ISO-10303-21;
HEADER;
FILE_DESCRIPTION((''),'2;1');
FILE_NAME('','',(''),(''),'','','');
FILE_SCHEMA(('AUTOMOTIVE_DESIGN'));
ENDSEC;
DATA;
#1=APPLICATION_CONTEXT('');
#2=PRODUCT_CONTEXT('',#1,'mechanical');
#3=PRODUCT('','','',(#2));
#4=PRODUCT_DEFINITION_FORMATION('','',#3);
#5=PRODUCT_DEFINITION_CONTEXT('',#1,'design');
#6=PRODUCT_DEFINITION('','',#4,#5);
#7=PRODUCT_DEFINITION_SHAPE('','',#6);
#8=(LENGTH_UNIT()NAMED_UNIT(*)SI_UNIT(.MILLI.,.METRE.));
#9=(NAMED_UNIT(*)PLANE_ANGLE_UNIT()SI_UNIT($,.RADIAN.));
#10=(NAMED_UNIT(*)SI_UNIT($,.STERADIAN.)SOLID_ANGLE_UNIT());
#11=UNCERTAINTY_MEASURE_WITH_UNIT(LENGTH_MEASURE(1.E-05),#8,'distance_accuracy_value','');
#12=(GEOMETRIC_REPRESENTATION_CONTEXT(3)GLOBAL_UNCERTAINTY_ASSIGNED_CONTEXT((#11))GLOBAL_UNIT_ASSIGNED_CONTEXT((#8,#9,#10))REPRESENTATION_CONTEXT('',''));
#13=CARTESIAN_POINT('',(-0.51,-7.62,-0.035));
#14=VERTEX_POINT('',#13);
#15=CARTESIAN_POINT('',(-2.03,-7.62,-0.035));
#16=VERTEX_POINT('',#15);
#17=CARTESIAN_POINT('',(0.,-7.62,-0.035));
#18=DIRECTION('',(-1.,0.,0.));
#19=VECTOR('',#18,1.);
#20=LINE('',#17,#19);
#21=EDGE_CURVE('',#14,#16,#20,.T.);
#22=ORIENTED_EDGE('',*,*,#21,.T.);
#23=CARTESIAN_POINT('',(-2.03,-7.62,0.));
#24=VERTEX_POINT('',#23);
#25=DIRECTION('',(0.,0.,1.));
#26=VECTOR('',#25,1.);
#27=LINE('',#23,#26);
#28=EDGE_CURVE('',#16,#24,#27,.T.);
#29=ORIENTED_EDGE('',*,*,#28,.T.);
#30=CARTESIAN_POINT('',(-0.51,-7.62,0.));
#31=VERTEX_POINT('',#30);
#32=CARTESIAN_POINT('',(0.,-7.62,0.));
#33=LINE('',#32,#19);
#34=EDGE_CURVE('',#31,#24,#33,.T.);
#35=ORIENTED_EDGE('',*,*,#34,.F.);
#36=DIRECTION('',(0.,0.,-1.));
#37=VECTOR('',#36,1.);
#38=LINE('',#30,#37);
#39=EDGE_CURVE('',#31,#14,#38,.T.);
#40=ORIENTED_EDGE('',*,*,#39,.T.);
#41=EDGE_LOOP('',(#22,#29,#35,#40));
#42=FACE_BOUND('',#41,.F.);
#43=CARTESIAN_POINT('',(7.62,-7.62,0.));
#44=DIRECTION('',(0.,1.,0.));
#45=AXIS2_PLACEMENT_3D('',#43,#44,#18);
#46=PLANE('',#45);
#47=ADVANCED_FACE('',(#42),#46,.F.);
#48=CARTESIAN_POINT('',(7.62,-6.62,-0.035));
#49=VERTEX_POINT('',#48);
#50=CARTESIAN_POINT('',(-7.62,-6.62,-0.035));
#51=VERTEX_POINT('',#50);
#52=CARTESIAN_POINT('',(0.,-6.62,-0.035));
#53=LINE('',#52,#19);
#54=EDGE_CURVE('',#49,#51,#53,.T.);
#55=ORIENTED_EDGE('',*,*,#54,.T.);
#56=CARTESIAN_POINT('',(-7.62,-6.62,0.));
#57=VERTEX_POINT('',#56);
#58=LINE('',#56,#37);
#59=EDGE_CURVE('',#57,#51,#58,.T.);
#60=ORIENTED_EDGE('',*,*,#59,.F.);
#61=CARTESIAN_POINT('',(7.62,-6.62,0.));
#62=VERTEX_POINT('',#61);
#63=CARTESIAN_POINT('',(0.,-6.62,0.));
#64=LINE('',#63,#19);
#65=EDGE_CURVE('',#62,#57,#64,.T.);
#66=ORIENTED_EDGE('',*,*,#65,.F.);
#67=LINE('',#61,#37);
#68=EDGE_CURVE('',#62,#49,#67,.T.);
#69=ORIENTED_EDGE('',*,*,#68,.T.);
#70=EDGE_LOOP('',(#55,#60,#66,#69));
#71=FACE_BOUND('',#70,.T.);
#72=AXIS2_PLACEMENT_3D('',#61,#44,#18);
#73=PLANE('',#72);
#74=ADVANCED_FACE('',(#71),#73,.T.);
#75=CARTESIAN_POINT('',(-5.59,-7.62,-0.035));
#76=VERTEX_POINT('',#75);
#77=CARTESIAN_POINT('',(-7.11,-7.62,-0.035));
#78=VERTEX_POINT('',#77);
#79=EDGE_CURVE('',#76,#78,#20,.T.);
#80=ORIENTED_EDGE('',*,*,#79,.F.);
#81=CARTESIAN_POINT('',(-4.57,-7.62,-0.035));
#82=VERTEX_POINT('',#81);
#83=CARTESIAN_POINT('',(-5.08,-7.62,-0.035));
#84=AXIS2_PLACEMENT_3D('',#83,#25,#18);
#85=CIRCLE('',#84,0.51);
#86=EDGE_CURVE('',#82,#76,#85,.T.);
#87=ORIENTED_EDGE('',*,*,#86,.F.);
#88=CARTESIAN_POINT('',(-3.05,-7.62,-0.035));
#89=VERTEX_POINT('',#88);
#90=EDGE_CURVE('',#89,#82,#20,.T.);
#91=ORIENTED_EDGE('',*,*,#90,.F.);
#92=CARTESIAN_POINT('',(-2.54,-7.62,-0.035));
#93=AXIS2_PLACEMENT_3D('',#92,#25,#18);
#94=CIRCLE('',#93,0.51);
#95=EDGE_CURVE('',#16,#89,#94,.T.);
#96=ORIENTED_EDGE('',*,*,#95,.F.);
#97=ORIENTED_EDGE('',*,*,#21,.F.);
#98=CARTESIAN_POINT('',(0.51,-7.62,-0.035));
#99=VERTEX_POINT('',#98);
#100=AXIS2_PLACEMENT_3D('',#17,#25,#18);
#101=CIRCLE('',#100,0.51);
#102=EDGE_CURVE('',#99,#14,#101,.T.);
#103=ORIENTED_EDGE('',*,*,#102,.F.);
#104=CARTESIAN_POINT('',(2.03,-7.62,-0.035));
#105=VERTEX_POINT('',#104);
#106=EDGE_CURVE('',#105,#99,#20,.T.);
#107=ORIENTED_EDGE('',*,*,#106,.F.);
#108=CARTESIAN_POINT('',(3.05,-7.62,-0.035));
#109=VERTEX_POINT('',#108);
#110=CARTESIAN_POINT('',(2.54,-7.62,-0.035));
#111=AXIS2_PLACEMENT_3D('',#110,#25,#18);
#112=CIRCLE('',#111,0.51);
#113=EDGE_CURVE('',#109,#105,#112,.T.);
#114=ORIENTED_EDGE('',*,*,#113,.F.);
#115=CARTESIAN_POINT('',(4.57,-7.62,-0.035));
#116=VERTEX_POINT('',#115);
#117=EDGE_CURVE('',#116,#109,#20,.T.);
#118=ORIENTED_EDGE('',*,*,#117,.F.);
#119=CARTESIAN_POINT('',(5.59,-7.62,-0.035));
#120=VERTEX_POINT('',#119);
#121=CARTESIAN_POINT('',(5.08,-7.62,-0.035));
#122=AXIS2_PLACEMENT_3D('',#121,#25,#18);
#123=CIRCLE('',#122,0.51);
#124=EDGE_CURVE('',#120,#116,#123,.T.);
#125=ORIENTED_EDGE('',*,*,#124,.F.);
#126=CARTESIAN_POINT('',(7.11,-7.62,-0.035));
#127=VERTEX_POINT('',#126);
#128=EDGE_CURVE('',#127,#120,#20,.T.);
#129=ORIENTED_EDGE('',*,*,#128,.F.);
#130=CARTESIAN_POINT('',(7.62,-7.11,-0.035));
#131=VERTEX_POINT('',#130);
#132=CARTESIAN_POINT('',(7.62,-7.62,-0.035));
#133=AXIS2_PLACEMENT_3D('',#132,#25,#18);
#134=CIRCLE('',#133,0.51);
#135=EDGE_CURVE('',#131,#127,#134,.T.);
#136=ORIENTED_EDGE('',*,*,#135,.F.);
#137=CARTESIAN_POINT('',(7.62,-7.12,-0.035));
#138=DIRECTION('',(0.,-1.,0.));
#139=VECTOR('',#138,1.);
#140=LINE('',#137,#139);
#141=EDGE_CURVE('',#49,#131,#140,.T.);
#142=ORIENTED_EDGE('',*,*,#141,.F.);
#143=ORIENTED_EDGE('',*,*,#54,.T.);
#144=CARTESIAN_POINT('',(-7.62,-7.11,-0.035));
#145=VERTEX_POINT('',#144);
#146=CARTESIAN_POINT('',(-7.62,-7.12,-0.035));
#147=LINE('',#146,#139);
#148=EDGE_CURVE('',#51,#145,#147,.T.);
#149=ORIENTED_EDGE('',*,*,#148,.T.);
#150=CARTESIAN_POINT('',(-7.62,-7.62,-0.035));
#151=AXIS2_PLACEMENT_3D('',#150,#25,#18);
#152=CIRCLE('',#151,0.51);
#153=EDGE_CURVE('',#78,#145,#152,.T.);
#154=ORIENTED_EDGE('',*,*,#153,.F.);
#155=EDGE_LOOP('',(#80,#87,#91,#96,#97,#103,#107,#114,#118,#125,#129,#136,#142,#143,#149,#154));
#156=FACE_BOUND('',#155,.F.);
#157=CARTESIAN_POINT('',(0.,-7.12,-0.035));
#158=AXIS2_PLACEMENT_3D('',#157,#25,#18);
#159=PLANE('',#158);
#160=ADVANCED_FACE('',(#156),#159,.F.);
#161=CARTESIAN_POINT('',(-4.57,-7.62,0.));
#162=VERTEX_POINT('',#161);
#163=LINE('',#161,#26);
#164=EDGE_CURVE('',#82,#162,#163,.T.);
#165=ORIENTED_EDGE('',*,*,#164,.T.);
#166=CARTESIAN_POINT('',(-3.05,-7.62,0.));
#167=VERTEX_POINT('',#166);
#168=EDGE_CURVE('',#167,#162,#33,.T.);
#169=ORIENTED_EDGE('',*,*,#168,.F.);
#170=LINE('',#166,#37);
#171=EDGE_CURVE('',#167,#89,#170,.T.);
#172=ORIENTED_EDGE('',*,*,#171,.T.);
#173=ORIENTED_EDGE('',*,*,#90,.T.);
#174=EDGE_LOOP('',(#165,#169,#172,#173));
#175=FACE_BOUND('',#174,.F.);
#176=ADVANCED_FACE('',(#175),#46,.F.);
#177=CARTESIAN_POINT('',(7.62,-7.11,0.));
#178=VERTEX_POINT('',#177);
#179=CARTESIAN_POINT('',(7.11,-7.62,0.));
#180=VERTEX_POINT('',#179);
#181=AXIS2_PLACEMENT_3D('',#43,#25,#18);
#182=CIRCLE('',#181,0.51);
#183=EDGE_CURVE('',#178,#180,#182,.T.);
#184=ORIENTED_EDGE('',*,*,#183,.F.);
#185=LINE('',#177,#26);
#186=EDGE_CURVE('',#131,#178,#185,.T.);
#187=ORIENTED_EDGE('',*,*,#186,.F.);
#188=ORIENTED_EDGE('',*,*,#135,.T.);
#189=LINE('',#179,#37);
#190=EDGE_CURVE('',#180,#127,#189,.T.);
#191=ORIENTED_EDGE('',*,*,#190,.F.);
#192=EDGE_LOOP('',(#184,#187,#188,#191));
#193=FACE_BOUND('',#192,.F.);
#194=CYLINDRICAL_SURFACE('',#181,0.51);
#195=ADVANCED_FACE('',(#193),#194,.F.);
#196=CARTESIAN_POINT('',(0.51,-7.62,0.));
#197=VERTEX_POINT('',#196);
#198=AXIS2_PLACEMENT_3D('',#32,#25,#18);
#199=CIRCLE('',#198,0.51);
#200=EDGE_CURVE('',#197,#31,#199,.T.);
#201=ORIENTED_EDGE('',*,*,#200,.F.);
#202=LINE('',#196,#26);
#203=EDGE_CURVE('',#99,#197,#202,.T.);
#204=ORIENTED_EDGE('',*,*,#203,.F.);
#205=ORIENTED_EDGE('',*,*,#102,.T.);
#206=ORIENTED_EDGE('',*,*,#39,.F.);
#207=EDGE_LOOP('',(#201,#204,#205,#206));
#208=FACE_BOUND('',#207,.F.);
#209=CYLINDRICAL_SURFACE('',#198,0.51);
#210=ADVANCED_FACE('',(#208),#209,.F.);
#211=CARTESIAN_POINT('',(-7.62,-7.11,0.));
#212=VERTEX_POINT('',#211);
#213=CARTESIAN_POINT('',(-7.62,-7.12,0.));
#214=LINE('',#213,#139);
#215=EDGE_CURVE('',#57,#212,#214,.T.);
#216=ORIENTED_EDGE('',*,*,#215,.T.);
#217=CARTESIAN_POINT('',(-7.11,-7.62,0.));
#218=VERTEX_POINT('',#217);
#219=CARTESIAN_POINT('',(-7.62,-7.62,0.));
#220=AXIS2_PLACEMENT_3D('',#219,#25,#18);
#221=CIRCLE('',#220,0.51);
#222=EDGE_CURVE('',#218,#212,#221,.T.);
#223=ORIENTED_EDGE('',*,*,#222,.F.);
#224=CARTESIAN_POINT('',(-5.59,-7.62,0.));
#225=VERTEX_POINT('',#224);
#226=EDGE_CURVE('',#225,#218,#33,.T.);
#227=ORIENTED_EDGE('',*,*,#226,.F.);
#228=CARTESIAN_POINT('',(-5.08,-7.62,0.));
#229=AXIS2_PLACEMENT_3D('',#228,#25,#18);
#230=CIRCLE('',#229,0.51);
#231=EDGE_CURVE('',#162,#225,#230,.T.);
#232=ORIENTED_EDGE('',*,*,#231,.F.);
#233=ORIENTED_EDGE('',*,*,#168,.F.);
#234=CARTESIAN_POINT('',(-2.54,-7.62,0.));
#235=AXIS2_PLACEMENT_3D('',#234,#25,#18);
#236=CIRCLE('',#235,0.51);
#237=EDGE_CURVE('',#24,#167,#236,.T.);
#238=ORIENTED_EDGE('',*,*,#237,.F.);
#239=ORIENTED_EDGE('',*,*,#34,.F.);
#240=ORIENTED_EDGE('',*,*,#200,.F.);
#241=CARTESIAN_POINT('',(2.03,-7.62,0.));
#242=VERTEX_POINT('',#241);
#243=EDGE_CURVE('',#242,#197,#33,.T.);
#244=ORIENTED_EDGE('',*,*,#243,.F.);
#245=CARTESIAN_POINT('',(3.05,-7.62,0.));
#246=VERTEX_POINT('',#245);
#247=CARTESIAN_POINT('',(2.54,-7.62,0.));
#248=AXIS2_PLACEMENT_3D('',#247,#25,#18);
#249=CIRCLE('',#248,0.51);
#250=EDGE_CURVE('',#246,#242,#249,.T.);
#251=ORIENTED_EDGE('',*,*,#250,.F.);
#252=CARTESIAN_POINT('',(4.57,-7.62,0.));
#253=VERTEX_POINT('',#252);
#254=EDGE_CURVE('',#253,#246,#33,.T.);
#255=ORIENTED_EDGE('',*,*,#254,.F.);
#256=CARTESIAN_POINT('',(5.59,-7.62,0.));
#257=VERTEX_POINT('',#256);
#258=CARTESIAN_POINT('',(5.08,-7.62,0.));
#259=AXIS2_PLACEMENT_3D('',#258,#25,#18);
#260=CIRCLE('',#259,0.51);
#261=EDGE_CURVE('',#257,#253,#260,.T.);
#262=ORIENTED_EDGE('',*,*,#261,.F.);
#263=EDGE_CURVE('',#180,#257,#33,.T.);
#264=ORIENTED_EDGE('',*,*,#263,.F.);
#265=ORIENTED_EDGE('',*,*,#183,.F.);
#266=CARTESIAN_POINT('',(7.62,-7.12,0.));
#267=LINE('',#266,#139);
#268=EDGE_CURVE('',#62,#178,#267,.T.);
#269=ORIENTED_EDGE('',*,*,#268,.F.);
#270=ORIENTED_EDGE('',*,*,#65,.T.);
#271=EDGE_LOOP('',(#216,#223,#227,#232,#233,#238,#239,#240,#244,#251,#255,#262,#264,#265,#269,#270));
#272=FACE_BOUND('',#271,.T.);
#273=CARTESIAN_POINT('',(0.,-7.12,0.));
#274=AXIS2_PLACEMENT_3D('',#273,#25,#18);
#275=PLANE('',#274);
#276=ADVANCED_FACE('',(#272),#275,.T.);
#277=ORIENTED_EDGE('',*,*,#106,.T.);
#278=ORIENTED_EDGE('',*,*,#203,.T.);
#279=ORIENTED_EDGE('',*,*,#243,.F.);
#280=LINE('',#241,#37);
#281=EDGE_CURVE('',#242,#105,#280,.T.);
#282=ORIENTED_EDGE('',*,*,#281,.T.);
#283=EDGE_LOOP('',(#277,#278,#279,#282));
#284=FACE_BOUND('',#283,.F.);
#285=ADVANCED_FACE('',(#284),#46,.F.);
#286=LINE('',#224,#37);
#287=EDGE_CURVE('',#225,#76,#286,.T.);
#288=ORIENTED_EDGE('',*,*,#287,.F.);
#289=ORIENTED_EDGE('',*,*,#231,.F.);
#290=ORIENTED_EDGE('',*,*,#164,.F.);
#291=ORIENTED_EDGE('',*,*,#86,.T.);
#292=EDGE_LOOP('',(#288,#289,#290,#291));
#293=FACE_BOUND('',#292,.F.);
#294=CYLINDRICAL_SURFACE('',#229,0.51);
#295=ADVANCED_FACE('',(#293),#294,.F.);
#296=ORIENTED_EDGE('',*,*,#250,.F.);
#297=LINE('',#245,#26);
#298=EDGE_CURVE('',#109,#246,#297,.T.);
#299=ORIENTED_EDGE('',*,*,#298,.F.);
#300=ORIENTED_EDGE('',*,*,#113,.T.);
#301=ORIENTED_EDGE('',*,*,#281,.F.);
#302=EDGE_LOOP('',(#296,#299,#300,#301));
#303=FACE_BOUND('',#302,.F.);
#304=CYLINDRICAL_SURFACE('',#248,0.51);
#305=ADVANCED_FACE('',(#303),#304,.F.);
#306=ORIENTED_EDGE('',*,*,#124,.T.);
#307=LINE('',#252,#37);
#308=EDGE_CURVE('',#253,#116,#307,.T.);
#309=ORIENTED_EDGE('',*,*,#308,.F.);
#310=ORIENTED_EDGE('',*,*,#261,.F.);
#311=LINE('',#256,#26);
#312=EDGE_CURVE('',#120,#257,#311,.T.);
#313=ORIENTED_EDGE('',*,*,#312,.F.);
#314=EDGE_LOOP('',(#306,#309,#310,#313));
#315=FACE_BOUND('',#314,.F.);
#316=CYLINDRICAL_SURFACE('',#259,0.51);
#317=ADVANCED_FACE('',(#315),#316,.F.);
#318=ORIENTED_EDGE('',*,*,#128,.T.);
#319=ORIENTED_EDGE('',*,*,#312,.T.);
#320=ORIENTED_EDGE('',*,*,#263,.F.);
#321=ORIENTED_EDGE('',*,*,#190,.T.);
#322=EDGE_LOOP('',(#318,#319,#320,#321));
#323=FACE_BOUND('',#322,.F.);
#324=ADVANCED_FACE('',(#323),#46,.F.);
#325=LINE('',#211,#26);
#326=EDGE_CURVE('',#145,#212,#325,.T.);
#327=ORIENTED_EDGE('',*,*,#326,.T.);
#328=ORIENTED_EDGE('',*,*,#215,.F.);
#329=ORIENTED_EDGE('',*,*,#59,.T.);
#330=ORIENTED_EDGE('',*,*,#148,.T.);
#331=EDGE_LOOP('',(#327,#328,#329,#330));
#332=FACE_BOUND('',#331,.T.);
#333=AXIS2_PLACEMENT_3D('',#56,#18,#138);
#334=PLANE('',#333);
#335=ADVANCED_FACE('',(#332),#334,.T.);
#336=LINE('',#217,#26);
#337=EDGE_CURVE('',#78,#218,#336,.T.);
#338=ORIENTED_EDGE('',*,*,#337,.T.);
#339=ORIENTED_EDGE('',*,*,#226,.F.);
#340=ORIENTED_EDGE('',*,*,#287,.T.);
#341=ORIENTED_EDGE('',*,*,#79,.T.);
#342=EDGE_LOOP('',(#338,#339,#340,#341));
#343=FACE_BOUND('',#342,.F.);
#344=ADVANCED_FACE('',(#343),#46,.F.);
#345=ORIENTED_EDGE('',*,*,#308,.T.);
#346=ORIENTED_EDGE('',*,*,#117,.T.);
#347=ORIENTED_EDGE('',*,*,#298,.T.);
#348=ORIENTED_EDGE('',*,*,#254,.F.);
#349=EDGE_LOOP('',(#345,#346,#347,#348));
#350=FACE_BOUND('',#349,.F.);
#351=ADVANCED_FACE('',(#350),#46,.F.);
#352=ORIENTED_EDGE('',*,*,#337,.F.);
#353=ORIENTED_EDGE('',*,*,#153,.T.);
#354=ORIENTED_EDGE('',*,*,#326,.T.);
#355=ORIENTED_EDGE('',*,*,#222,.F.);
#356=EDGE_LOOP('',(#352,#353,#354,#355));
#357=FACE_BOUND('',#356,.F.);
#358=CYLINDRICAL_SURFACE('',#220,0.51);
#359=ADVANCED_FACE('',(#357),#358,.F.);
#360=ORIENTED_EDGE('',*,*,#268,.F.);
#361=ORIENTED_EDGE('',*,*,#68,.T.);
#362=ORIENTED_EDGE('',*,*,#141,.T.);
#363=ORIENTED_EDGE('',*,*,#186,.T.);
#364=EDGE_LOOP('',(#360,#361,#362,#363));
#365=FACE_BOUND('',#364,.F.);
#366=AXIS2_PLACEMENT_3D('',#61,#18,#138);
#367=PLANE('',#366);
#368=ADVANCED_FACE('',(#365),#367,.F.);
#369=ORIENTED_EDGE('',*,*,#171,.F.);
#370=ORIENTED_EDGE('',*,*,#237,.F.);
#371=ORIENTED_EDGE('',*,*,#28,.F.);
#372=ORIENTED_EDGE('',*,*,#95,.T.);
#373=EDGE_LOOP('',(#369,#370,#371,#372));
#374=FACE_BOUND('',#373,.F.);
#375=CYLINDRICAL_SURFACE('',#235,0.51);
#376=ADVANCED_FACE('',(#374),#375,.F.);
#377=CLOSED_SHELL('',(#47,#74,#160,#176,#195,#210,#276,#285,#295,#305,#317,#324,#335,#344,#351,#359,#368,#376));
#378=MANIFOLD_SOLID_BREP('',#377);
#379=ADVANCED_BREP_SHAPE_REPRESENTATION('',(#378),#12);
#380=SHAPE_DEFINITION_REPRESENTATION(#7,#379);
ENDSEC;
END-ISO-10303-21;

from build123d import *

# Parameters (mm, degrees)
SKETCH004_W             = 15.24
SKETCH004_H             = 1
PAD002_DEPTH            = 0.035
SKETCH005_R             = 0.51
POCKET002_DEPTH         = 0.036
LINEARPATTERN005_COUNT  = 7
LINEARPATTERN005_PITCH  = 2.54
BODY004_PLACEMENT_ANGLE = 180


with BuildPart() as part:
    # Sketch004 → Pad002 (new body)
    with BuildSketch(Plane.XY):
        with Locations((0, 7.12)):
            Rectangle(SKETCH004_W, SKETCH004_H)
    extrude(amount=-PAD002_DEPTH)

    # Sketch005 → Pocket002 (cut, through all)
    with BuildSketch(Plane.XY):
        with Locations((-7.62, 7.62)):
            Circle(SKETCH005_R)
    pocket002 = extrude(amount=-POCKET002_DEPTH, mode=Mode.SUBTRACT)

    # LinearPattern005: Pocket002 ×7
    with Locations(*[(i * LINEARPATTERN005_PITCH, 0, 0) for i in range(1, LINEARPATTERN005_COUNT)]):
        add(pocket002, mode=Mode.SUBTRACT)


with BuildPart() as part_1:
    # Body004 placement: moved
    add(part.part.rotate(Axis((0, 0, 0), (0, 0, 1)), BODY004_PLACEMENT_ANGLE))


solid = part_1.part
